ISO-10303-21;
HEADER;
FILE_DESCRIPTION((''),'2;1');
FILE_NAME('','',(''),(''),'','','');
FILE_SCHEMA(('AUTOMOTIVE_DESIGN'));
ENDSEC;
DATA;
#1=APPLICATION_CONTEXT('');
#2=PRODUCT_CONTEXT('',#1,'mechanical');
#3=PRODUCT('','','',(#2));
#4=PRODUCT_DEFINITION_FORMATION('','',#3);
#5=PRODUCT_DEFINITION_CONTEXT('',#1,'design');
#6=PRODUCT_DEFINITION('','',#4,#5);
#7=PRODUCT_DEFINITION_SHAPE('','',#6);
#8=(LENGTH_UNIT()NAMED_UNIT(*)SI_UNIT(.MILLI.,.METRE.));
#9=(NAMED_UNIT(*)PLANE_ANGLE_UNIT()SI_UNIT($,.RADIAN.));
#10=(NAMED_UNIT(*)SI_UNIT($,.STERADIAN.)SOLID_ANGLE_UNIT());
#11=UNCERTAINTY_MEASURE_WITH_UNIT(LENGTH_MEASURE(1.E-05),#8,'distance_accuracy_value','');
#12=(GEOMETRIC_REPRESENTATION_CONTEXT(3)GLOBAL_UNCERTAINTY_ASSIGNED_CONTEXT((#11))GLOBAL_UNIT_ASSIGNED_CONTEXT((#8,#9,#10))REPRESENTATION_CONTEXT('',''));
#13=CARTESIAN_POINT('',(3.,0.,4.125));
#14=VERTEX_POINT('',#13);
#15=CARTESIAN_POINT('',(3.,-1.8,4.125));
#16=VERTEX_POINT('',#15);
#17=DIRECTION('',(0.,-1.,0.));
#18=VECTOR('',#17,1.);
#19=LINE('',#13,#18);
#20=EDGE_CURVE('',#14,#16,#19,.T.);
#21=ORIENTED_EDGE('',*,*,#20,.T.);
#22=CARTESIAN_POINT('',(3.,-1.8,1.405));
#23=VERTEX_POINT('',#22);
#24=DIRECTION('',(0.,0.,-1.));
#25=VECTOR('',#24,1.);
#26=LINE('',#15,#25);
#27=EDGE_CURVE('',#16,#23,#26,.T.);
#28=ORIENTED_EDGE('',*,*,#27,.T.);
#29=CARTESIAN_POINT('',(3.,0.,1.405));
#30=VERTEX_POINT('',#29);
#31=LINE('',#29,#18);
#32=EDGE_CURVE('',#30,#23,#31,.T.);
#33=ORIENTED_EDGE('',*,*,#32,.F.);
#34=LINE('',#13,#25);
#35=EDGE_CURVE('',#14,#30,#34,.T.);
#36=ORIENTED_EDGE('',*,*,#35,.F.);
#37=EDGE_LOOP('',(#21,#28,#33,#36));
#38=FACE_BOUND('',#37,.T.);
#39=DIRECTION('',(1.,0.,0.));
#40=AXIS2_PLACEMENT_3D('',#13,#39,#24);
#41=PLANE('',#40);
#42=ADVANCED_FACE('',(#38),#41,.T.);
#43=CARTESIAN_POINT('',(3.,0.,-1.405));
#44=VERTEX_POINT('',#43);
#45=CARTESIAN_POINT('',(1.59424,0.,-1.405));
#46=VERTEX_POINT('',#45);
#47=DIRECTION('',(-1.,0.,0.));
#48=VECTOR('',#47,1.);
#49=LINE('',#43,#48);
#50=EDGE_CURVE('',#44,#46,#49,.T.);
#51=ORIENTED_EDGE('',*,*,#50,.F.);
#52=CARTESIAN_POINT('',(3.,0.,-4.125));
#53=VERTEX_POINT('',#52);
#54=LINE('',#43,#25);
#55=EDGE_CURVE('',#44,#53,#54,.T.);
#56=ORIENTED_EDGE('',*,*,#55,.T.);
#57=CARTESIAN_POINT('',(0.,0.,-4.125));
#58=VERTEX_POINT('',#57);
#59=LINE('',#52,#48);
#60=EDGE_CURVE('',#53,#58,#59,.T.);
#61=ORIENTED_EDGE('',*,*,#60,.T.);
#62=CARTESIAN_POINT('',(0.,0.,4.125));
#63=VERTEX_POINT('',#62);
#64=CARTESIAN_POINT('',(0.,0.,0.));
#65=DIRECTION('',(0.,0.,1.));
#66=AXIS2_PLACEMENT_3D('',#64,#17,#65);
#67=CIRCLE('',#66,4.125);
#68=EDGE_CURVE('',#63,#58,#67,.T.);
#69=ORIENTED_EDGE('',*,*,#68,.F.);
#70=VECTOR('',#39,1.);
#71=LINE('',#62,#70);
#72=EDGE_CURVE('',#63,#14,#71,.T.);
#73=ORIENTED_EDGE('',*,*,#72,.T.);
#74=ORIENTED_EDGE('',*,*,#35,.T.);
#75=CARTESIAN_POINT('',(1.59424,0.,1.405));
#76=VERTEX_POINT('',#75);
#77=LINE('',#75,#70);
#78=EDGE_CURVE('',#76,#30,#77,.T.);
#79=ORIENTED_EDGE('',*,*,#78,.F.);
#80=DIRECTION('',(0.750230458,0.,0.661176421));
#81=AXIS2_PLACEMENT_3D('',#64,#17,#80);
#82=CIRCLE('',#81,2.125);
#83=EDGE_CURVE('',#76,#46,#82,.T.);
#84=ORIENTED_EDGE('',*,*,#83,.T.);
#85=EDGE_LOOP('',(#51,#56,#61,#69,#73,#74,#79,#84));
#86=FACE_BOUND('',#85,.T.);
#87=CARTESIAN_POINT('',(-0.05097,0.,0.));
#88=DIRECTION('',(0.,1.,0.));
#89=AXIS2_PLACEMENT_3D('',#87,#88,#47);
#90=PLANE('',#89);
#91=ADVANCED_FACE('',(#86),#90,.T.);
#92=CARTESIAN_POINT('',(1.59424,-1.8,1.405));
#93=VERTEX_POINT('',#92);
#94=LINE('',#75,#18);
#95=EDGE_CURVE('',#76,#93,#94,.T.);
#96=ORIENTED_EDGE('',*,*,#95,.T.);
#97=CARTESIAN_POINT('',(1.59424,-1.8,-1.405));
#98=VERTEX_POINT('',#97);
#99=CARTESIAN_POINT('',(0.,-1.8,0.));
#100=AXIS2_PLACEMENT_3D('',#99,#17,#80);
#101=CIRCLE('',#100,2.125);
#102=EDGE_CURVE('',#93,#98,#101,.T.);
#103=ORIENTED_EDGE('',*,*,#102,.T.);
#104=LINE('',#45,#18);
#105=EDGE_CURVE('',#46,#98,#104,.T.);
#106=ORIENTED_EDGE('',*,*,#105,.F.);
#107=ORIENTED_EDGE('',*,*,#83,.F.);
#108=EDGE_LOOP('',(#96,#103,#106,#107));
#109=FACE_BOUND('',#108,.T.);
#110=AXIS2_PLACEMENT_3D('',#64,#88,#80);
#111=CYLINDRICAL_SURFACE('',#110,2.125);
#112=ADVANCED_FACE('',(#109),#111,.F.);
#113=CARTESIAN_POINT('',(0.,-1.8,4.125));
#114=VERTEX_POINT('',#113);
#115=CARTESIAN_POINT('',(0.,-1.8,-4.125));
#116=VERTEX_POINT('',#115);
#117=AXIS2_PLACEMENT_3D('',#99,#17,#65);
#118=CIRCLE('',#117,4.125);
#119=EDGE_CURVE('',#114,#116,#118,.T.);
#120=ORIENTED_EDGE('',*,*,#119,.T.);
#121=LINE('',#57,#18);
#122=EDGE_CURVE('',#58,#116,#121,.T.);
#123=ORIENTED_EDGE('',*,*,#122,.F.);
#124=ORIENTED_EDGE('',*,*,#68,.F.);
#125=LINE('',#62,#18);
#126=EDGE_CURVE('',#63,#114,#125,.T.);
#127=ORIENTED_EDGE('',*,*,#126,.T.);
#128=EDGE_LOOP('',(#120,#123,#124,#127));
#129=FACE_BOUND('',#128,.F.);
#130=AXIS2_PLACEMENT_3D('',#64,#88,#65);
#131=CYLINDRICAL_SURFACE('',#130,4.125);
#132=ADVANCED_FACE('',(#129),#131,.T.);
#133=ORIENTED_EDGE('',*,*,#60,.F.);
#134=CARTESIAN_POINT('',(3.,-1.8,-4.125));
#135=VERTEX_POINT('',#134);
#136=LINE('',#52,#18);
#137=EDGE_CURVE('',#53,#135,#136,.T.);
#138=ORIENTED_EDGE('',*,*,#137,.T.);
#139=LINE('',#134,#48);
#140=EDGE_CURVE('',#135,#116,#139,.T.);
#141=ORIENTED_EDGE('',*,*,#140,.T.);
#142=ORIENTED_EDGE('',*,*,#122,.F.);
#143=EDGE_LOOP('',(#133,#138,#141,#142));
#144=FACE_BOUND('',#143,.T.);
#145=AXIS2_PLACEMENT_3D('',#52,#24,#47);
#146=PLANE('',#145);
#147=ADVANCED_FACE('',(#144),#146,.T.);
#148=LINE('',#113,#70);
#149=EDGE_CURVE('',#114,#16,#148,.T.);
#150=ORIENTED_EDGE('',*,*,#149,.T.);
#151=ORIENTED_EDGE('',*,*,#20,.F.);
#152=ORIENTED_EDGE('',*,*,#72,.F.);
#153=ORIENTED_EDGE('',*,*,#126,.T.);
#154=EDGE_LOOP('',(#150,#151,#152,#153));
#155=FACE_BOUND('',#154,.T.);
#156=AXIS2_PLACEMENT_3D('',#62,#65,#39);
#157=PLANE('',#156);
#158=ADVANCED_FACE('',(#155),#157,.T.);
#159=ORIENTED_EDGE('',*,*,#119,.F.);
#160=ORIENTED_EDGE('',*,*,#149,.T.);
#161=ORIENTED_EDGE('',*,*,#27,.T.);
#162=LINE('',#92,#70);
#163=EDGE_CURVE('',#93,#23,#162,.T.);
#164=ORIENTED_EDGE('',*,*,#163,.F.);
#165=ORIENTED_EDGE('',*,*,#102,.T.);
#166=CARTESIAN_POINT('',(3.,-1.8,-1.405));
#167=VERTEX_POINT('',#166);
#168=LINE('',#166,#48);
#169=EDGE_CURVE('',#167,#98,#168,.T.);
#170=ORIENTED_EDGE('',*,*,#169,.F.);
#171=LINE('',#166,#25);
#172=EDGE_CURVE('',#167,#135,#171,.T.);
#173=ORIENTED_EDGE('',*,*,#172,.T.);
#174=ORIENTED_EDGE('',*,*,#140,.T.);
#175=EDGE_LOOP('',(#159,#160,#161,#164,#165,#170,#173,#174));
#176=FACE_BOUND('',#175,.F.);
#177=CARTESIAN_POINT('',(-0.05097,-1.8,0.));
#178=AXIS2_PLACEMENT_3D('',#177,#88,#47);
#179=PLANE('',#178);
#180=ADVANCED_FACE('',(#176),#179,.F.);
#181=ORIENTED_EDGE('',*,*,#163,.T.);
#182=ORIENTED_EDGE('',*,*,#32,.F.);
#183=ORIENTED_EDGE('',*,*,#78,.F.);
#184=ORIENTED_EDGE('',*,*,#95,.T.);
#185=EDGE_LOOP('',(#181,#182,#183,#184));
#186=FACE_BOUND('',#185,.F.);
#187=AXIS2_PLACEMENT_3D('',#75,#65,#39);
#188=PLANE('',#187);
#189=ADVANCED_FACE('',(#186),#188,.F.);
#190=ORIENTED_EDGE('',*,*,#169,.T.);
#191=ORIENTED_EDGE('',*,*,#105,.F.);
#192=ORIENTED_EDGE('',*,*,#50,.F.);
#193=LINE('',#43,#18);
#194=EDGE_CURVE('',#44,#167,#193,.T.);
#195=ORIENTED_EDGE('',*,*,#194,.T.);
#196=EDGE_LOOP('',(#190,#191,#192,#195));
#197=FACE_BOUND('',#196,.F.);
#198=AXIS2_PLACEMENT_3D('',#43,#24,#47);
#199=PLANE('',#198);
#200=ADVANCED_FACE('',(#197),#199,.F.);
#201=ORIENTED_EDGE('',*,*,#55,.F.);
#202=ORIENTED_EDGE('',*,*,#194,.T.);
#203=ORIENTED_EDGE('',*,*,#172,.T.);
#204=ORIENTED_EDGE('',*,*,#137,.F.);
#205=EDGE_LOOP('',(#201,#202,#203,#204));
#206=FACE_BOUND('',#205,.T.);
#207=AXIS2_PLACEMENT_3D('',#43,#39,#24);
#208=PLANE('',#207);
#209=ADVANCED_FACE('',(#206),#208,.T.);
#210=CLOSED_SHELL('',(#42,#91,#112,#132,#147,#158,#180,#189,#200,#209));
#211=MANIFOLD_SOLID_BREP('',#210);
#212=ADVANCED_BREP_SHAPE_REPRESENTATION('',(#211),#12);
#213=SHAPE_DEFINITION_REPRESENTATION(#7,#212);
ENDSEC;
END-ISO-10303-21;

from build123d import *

# Parameters (mm, degrees)
PAD_DEPTH = 1.8


with BuildPart() as part:
    # Sketch → Pad (new body)
    with BuildSketch(Plane.XZ):
        with BuildLine():
            ThreePointArc((1.59424, 1.405), (-2.125, 0), (1.59424, -1.405))
            Line((3, -1.405), (1.59424, -1.405))
            Line((3, -1.405), (3, -4.125))
            Line((3, -4.125), (0, -4.125))
            ThreePointArc((0, 4.125), (-4.125, 0), (0, -4.125))
            Line((0, 4.125), (3, 4.125))
            Line((3, 4.125), (3, 1.405))
            Line((1.59424, 1.405), (3, 1.405))
        make_face()
    extrude(amount=PAD_DEPTH)


solid = part.part
